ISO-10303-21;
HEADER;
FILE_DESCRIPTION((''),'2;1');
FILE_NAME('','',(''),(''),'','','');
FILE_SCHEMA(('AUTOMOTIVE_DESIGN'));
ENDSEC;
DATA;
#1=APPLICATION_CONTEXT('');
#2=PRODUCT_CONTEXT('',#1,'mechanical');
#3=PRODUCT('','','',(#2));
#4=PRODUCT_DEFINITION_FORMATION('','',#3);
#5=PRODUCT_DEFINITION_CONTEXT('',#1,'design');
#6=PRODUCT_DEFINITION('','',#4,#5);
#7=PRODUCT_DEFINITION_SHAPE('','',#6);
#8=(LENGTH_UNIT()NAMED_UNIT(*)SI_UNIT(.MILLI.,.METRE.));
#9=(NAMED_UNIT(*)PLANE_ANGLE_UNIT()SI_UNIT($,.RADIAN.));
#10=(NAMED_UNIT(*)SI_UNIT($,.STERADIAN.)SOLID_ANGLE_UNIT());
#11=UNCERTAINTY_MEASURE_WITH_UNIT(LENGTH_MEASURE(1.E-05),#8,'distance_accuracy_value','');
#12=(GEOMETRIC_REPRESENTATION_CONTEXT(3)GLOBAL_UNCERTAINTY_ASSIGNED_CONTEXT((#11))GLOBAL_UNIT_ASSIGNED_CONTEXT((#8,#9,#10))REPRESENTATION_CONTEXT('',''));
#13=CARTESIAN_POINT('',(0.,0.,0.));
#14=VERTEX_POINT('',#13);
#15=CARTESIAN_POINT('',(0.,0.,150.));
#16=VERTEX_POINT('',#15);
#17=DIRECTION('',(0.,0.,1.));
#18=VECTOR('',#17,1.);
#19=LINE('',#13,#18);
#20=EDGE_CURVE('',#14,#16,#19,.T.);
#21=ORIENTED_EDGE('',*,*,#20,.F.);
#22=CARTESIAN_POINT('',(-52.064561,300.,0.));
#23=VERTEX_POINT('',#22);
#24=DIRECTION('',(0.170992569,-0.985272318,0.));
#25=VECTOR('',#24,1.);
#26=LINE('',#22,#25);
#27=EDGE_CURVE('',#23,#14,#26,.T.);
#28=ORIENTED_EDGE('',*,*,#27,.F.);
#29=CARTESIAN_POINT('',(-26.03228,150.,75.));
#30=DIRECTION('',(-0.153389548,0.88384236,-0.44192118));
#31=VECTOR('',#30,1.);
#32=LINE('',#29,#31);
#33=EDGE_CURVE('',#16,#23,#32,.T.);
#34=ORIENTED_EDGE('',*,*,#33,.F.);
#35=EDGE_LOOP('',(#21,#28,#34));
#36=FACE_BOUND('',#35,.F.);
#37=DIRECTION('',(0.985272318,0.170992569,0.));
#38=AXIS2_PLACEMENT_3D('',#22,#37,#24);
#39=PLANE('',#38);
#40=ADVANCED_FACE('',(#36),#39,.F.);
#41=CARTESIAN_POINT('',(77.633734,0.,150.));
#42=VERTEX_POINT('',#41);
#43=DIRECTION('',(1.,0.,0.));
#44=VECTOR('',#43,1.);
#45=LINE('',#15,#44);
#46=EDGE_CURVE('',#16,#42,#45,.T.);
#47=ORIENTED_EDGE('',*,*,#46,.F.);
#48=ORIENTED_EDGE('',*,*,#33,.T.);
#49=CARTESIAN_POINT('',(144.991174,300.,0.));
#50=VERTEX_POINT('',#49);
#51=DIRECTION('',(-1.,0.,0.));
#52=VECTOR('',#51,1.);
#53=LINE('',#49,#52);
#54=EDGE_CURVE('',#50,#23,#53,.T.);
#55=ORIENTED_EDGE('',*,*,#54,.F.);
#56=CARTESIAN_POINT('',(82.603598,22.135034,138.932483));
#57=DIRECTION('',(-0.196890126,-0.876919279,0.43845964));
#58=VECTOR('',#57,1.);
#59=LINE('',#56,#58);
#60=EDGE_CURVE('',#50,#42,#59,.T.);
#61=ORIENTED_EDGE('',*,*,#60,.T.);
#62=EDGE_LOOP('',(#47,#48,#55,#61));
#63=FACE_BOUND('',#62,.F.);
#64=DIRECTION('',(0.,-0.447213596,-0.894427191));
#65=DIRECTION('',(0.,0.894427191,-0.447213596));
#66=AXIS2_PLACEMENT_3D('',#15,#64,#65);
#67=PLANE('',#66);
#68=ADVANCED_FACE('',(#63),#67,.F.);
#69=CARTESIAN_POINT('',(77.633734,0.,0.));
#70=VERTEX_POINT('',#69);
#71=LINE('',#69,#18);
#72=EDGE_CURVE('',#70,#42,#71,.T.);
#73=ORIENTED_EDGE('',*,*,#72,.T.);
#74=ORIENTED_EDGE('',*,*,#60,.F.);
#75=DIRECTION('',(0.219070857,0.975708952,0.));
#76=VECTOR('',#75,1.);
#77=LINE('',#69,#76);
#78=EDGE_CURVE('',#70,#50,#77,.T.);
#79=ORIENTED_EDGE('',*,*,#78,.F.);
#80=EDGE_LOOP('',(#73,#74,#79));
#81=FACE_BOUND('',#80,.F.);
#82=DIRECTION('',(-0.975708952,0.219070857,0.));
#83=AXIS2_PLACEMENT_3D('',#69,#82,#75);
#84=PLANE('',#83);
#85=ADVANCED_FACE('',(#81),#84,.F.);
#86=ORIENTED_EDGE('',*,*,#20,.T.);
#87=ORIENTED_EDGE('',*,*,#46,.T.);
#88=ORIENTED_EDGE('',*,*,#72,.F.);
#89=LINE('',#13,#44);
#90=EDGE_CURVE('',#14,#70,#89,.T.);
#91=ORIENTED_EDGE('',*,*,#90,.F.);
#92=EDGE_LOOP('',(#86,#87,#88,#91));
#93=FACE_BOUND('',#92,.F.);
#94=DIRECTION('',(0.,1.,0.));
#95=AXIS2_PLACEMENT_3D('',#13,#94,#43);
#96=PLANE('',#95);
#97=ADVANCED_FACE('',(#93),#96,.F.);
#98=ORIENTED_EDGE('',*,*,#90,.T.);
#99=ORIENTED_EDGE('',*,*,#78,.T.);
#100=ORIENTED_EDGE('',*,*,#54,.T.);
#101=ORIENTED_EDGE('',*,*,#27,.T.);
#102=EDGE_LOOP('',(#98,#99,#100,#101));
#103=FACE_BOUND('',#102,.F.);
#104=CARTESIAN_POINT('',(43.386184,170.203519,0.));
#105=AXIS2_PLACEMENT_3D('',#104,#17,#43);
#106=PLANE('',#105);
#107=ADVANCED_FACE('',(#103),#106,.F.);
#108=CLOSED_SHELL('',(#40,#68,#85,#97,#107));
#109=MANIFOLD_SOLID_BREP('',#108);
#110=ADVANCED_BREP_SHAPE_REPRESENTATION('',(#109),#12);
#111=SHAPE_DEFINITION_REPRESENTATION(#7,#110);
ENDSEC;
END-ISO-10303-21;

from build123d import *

# Parameters (mm, degrees)
F1_DEPTH = 150
F3_DEPTH = 500


with BuildPart() as f1:
    # F0 (on Top) → F1 (new body)
    with BuildSketch(Plane.XY):
        Polygon((144.991174, 300), (-52.064561, 300), (0, 0), (77.633734, 0), align=None)
    extrude(amount=F1_DEPTH)

    # F2 (on Right) → F3 (cut, symmetric)
    with BuildSketch(Plane.YZ):
        Polygon((0, 150), (300, 0), (300, 150), align=None)
    extrude(amount=F3_DEPTH, both=True, mode=Mode.SUBTRACT)


solid = f1.part
